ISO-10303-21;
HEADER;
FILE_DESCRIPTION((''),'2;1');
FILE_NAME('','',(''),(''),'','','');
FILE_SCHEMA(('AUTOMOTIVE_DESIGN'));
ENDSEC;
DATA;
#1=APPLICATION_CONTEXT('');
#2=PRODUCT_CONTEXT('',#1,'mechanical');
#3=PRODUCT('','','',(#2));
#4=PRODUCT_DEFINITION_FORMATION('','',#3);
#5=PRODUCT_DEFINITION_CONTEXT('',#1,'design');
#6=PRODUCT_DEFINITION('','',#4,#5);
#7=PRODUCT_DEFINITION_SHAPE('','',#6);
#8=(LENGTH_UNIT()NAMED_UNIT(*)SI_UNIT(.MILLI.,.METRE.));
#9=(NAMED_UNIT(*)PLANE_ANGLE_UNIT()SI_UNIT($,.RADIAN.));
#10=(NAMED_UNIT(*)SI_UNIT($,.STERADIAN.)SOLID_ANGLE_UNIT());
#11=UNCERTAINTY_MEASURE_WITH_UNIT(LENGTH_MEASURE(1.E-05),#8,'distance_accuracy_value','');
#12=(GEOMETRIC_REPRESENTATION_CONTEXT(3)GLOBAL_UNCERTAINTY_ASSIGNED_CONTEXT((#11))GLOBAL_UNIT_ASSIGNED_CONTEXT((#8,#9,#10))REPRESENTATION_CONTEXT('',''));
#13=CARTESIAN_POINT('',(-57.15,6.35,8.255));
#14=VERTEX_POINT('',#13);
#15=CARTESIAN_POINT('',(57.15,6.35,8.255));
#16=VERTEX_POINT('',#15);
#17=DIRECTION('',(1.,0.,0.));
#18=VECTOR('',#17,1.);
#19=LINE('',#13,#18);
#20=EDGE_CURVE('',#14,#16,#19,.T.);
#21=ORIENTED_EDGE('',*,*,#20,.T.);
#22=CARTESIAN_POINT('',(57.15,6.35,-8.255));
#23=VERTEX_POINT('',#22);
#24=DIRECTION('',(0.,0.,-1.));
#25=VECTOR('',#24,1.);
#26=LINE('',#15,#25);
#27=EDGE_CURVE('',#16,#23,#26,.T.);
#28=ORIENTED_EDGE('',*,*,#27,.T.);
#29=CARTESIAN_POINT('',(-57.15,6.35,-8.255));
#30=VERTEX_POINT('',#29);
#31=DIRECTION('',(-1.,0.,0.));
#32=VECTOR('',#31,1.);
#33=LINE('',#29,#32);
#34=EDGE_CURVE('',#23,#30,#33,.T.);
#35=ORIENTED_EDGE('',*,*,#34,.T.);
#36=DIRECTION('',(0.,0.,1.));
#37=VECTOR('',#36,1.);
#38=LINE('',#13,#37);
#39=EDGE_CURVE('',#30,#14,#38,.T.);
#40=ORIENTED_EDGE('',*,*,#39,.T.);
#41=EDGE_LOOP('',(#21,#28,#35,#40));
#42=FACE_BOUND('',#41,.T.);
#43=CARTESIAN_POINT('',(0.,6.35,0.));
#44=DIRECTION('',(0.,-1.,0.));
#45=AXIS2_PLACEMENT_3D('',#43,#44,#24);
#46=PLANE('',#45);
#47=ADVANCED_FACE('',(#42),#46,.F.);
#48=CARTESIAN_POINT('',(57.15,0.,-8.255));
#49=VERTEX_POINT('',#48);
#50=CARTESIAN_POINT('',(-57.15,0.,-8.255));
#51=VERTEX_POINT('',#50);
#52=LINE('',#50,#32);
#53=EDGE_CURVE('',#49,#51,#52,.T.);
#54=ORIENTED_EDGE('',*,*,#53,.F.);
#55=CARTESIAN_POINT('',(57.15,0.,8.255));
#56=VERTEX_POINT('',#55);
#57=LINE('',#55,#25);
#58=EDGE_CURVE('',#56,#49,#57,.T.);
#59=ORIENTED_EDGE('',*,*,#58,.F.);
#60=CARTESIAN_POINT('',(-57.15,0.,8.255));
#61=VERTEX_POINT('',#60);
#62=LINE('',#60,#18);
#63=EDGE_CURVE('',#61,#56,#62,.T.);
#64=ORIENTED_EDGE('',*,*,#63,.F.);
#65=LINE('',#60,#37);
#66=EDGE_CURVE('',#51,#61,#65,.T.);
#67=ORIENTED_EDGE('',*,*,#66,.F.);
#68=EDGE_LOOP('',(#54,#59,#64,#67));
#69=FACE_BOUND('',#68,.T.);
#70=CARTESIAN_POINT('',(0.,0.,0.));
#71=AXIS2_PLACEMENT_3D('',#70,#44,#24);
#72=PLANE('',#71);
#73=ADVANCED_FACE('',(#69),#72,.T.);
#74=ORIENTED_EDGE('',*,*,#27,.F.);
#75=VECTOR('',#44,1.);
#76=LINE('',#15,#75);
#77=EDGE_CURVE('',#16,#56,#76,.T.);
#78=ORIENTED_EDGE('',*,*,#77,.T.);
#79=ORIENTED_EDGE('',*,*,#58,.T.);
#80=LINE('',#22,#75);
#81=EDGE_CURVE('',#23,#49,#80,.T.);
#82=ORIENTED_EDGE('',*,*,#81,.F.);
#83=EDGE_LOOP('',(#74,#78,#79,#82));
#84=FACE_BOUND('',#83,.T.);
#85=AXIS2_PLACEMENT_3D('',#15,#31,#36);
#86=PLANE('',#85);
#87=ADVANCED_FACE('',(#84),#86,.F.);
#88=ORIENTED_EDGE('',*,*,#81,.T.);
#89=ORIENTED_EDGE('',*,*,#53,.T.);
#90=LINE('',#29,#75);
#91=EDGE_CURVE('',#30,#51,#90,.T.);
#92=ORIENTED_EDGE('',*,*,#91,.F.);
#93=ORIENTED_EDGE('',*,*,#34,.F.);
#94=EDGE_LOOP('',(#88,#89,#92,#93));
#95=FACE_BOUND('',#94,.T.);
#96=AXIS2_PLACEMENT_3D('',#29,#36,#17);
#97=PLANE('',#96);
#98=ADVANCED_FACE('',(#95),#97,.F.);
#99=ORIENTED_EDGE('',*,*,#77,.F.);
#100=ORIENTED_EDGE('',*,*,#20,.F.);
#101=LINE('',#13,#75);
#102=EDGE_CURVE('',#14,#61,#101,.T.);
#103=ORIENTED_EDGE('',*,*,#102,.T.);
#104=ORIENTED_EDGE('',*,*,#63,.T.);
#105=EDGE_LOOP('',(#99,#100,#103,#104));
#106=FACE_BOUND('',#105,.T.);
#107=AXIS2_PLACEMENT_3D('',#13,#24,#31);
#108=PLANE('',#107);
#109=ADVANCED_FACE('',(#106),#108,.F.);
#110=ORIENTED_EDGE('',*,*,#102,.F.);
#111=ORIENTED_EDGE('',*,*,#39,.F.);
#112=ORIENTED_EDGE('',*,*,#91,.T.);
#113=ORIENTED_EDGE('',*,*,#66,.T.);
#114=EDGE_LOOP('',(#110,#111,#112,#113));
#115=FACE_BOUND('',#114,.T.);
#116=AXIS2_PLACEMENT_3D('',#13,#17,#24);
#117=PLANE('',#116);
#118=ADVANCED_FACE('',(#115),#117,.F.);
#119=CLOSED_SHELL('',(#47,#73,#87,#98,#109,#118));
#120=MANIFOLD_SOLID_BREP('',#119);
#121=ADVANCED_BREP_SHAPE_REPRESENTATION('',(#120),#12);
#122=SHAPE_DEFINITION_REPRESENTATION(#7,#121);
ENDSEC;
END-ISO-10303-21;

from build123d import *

# Parameters (mm, degrees)
SKETCH1_W           = 114.3
SKETCH1_H           = 16.51
BOSS_EXTRUDE1_DEPTH = 6.35


with BuildPart() as part:
    # Sketch1 → Boss-Extrude1 (new body)
    with BuildSketch(Plane(origin=(0, 0, 0), x_dir=(1, 0, 0), z_dir=(0, 1, 0))):
        Rectangle(SKETCH1_W, SKETCH1_H)
    extrude(amount=BOSS_EXTRUDE1_DEPTH)


solid = part.part
